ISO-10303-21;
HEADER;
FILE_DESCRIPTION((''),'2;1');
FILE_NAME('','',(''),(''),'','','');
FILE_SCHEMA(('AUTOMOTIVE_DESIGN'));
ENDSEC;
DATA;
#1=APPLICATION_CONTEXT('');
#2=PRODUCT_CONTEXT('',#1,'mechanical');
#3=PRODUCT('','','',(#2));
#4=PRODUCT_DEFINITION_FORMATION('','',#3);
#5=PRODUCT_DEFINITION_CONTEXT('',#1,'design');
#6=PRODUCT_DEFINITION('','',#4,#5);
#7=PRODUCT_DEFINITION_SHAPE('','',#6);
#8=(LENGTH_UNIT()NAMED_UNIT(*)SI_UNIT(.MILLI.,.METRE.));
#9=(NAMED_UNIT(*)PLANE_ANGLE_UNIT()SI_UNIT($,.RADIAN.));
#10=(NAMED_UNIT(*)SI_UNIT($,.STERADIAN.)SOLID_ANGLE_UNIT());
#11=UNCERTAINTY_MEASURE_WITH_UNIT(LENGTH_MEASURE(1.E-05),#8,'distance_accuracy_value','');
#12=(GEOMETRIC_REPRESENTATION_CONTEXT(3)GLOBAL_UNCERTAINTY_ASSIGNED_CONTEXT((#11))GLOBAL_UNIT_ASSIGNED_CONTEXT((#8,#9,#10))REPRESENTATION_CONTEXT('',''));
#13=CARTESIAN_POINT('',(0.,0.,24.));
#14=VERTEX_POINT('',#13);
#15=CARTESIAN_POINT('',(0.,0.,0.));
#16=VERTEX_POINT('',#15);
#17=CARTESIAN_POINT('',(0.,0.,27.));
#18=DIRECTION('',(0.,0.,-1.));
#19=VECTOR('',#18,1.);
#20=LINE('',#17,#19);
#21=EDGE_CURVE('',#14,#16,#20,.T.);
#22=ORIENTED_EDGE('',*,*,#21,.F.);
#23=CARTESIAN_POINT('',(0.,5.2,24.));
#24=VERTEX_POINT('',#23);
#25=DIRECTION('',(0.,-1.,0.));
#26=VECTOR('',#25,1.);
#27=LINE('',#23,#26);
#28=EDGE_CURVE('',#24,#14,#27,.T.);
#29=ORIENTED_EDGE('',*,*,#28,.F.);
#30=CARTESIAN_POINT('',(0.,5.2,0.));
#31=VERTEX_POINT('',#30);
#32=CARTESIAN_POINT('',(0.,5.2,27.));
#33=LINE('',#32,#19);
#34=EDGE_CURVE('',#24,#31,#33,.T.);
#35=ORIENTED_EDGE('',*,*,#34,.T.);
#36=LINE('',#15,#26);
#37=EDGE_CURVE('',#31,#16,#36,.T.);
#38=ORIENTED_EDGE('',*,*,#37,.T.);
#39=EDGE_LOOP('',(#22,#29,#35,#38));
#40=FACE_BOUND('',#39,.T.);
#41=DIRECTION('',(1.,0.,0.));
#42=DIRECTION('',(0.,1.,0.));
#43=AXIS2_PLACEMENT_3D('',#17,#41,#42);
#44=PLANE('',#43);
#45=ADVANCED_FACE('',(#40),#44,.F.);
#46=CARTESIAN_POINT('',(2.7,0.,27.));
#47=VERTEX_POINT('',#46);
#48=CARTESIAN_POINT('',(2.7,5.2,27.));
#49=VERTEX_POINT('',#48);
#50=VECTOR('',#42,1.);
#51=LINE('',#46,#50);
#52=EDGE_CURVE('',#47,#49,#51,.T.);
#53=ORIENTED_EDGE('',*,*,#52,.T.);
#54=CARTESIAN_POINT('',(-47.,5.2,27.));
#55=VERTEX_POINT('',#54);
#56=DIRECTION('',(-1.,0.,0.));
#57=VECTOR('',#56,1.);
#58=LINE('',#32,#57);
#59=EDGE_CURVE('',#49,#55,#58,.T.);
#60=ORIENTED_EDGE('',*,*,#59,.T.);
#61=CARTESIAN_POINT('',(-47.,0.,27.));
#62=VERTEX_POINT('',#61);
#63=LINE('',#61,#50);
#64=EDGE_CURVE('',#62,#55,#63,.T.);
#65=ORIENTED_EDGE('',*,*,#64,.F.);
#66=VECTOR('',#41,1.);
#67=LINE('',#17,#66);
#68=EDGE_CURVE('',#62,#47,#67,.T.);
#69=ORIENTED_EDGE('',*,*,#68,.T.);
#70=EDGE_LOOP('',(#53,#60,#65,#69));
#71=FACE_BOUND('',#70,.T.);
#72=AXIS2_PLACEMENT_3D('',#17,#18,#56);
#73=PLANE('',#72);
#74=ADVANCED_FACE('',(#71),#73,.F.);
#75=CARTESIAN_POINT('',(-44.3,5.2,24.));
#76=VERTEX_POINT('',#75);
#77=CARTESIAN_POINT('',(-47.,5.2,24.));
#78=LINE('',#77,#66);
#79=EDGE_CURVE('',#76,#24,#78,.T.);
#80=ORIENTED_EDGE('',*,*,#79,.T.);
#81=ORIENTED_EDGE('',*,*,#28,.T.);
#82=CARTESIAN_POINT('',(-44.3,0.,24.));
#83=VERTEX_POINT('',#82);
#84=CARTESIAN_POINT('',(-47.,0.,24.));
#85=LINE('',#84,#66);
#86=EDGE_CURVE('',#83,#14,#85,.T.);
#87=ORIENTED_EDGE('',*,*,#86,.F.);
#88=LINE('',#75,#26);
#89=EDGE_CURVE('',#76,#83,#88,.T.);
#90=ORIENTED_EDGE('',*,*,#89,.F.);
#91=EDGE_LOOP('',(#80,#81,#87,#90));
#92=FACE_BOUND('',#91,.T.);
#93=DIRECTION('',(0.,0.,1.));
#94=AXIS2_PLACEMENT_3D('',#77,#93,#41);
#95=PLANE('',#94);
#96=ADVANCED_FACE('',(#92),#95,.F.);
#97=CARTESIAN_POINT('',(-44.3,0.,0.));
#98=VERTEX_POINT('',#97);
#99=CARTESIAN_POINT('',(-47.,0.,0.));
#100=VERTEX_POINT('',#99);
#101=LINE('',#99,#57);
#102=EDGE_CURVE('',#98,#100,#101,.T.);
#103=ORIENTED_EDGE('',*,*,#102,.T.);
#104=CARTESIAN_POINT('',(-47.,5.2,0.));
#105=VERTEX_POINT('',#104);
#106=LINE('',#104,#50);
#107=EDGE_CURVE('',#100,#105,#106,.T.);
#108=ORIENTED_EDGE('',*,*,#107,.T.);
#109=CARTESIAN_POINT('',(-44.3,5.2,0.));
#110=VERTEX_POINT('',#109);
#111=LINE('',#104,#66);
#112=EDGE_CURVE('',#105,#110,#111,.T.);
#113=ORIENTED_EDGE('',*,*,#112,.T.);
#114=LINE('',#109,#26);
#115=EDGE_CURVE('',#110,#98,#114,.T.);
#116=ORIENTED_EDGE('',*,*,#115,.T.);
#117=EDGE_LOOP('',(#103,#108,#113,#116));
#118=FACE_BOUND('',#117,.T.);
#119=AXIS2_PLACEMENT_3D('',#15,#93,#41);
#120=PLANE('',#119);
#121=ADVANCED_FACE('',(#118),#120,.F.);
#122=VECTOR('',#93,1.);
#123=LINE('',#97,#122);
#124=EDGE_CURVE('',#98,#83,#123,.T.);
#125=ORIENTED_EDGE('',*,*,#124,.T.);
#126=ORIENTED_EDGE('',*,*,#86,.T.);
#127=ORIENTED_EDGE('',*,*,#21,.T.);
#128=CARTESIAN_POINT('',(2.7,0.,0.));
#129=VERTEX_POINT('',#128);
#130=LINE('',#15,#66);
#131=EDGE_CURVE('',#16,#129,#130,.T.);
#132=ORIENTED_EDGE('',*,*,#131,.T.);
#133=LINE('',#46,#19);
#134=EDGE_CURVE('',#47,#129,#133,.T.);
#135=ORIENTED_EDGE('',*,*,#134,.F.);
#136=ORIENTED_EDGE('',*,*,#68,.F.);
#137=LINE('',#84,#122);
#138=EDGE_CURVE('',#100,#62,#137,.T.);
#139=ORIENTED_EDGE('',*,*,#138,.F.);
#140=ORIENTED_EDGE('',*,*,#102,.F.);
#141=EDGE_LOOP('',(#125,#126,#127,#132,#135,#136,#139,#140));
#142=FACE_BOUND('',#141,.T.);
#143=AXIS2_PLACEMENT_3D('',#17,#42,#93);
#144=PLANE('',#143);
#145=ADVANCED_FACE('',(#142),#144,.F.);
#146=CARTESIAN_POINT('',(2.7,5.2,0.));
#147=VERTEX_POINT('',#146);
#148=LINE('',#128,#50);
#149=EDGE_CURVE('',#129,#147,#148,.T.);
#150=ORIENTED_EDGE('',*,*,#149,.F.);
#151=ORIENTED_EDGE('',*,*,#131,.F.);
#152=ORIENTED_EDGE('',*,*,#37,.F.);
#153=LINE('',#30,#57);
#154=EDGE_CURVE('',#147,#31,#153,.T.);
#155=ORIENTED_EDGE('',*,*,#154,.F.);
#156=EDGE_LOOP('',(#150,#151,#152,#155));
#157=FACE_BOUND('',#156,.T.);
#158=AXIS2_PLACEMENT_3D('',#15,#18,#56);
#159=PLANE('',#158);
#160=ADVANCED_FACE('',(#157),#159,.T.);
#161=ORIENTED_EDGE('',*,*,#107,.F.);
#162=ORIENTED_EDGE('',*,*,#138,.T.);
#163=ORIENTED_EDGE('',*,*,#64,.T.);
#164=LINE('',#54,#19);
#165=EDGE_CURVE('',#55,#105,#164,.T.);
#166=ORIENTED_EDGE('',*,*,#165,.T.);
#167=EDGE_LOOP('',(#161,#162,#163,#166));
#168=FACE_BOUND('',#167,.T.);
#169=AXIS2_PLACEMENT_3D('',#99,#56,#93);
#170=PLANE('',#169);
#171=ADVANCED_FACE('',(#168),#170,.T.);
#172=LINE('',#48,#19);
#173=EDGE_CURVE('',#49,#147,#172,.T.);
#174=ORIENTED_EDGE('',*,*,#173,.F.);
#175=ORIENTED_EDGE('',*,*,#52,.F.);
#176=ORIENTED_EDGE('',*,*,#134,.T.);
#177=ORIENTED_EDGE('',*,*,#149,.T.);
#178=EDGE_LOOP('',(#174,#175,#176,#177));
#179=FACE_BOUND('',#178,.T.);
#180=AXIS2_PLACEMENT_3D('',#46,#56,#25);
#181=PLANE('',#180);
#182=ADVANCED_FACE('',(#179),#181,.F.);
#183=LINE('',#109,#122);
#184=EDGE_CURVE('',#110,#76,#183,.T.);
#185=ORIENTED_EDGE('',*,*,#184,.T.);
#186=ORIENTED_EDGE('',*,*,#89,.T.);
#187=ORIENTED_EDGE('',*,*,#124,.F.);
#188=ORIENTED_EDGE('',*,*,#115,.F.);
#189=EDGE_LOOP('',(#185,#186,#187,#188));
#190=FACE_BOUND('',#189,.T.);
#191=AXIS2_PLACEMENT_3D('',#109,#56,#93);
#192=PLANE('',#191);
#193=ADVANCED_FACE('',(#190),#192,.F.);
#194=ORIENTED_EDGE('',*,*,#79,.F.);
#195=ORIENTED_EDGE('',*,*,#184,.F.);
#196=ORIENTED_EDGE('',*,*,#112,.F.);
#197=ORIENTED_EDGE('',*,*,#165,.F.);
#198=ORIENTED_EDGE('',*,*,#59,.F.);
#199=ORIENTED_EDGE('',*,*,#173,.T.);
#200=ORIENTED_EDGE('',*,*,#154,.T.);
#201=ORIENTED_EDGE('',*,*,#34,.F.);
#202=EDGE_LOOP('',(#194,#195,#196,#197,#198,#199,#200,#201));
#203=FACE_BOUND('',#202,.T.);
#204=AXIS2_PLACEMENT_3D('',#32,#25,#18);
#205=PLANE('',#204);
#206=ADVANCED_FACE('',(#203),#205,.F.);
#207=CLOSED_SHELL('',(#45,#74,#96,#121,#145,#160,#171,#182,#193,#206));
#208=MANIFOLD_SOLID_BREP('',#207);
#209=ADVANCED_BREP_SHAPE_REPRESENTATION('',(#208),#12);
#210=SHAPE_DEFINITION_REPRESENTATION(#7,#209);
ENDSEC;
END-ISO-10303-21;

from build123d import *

# Parameters (mm, degrees)
SKETCH1_W           = 2.7
SKETCH1_H           = 5.2
BOSS_EXTRUDE1_DEPTH = 27
SKETCH2_W           = 3
SKETCH2_H           = 5.2
BOSS_EXTRUDE2_DEPTH = 47
SKETCH3_W           = 2.7
SKETCH3_H           = 5.2
BOSS_EXTRUDE3_DEPTH = 24


with BuildPart() as part:
    # Sketch1 → Boss-Extrude1 (new body)
    with BuildSketch(Plane.XY):
        with Locations((1.35, 2.6)):
            Rectangle(SKETCH1_W, SKETCH1_H)
    extrude(amount=BOSS_EXTRUDE1_DEPTH)

    # Sketch2 → Boss-Extrude2 (add)
    with BuildSketch(Plane.ZY):
        with Locations((25.5, 2.6)):
            Rectangle(SKETCH2_W, SKETCH2_H)
    extrude(amount=BOSS_EXTRUDE2_DEPTH)

    # Sketch3 → Boss-Extrude3 (add)
    with BuildSketch(Plane(origin=(0, 0, 24), x_dir=(-1, 0, 0), z_dir=(0, 0, -1))):
        with Locations((45.65, 2.6)):
            Rectangle(SKETCH3_W, SKETCH3_H)
    extrude(amount=BOSS_EXTRUDE3_DEPTH)


solid = part.part
